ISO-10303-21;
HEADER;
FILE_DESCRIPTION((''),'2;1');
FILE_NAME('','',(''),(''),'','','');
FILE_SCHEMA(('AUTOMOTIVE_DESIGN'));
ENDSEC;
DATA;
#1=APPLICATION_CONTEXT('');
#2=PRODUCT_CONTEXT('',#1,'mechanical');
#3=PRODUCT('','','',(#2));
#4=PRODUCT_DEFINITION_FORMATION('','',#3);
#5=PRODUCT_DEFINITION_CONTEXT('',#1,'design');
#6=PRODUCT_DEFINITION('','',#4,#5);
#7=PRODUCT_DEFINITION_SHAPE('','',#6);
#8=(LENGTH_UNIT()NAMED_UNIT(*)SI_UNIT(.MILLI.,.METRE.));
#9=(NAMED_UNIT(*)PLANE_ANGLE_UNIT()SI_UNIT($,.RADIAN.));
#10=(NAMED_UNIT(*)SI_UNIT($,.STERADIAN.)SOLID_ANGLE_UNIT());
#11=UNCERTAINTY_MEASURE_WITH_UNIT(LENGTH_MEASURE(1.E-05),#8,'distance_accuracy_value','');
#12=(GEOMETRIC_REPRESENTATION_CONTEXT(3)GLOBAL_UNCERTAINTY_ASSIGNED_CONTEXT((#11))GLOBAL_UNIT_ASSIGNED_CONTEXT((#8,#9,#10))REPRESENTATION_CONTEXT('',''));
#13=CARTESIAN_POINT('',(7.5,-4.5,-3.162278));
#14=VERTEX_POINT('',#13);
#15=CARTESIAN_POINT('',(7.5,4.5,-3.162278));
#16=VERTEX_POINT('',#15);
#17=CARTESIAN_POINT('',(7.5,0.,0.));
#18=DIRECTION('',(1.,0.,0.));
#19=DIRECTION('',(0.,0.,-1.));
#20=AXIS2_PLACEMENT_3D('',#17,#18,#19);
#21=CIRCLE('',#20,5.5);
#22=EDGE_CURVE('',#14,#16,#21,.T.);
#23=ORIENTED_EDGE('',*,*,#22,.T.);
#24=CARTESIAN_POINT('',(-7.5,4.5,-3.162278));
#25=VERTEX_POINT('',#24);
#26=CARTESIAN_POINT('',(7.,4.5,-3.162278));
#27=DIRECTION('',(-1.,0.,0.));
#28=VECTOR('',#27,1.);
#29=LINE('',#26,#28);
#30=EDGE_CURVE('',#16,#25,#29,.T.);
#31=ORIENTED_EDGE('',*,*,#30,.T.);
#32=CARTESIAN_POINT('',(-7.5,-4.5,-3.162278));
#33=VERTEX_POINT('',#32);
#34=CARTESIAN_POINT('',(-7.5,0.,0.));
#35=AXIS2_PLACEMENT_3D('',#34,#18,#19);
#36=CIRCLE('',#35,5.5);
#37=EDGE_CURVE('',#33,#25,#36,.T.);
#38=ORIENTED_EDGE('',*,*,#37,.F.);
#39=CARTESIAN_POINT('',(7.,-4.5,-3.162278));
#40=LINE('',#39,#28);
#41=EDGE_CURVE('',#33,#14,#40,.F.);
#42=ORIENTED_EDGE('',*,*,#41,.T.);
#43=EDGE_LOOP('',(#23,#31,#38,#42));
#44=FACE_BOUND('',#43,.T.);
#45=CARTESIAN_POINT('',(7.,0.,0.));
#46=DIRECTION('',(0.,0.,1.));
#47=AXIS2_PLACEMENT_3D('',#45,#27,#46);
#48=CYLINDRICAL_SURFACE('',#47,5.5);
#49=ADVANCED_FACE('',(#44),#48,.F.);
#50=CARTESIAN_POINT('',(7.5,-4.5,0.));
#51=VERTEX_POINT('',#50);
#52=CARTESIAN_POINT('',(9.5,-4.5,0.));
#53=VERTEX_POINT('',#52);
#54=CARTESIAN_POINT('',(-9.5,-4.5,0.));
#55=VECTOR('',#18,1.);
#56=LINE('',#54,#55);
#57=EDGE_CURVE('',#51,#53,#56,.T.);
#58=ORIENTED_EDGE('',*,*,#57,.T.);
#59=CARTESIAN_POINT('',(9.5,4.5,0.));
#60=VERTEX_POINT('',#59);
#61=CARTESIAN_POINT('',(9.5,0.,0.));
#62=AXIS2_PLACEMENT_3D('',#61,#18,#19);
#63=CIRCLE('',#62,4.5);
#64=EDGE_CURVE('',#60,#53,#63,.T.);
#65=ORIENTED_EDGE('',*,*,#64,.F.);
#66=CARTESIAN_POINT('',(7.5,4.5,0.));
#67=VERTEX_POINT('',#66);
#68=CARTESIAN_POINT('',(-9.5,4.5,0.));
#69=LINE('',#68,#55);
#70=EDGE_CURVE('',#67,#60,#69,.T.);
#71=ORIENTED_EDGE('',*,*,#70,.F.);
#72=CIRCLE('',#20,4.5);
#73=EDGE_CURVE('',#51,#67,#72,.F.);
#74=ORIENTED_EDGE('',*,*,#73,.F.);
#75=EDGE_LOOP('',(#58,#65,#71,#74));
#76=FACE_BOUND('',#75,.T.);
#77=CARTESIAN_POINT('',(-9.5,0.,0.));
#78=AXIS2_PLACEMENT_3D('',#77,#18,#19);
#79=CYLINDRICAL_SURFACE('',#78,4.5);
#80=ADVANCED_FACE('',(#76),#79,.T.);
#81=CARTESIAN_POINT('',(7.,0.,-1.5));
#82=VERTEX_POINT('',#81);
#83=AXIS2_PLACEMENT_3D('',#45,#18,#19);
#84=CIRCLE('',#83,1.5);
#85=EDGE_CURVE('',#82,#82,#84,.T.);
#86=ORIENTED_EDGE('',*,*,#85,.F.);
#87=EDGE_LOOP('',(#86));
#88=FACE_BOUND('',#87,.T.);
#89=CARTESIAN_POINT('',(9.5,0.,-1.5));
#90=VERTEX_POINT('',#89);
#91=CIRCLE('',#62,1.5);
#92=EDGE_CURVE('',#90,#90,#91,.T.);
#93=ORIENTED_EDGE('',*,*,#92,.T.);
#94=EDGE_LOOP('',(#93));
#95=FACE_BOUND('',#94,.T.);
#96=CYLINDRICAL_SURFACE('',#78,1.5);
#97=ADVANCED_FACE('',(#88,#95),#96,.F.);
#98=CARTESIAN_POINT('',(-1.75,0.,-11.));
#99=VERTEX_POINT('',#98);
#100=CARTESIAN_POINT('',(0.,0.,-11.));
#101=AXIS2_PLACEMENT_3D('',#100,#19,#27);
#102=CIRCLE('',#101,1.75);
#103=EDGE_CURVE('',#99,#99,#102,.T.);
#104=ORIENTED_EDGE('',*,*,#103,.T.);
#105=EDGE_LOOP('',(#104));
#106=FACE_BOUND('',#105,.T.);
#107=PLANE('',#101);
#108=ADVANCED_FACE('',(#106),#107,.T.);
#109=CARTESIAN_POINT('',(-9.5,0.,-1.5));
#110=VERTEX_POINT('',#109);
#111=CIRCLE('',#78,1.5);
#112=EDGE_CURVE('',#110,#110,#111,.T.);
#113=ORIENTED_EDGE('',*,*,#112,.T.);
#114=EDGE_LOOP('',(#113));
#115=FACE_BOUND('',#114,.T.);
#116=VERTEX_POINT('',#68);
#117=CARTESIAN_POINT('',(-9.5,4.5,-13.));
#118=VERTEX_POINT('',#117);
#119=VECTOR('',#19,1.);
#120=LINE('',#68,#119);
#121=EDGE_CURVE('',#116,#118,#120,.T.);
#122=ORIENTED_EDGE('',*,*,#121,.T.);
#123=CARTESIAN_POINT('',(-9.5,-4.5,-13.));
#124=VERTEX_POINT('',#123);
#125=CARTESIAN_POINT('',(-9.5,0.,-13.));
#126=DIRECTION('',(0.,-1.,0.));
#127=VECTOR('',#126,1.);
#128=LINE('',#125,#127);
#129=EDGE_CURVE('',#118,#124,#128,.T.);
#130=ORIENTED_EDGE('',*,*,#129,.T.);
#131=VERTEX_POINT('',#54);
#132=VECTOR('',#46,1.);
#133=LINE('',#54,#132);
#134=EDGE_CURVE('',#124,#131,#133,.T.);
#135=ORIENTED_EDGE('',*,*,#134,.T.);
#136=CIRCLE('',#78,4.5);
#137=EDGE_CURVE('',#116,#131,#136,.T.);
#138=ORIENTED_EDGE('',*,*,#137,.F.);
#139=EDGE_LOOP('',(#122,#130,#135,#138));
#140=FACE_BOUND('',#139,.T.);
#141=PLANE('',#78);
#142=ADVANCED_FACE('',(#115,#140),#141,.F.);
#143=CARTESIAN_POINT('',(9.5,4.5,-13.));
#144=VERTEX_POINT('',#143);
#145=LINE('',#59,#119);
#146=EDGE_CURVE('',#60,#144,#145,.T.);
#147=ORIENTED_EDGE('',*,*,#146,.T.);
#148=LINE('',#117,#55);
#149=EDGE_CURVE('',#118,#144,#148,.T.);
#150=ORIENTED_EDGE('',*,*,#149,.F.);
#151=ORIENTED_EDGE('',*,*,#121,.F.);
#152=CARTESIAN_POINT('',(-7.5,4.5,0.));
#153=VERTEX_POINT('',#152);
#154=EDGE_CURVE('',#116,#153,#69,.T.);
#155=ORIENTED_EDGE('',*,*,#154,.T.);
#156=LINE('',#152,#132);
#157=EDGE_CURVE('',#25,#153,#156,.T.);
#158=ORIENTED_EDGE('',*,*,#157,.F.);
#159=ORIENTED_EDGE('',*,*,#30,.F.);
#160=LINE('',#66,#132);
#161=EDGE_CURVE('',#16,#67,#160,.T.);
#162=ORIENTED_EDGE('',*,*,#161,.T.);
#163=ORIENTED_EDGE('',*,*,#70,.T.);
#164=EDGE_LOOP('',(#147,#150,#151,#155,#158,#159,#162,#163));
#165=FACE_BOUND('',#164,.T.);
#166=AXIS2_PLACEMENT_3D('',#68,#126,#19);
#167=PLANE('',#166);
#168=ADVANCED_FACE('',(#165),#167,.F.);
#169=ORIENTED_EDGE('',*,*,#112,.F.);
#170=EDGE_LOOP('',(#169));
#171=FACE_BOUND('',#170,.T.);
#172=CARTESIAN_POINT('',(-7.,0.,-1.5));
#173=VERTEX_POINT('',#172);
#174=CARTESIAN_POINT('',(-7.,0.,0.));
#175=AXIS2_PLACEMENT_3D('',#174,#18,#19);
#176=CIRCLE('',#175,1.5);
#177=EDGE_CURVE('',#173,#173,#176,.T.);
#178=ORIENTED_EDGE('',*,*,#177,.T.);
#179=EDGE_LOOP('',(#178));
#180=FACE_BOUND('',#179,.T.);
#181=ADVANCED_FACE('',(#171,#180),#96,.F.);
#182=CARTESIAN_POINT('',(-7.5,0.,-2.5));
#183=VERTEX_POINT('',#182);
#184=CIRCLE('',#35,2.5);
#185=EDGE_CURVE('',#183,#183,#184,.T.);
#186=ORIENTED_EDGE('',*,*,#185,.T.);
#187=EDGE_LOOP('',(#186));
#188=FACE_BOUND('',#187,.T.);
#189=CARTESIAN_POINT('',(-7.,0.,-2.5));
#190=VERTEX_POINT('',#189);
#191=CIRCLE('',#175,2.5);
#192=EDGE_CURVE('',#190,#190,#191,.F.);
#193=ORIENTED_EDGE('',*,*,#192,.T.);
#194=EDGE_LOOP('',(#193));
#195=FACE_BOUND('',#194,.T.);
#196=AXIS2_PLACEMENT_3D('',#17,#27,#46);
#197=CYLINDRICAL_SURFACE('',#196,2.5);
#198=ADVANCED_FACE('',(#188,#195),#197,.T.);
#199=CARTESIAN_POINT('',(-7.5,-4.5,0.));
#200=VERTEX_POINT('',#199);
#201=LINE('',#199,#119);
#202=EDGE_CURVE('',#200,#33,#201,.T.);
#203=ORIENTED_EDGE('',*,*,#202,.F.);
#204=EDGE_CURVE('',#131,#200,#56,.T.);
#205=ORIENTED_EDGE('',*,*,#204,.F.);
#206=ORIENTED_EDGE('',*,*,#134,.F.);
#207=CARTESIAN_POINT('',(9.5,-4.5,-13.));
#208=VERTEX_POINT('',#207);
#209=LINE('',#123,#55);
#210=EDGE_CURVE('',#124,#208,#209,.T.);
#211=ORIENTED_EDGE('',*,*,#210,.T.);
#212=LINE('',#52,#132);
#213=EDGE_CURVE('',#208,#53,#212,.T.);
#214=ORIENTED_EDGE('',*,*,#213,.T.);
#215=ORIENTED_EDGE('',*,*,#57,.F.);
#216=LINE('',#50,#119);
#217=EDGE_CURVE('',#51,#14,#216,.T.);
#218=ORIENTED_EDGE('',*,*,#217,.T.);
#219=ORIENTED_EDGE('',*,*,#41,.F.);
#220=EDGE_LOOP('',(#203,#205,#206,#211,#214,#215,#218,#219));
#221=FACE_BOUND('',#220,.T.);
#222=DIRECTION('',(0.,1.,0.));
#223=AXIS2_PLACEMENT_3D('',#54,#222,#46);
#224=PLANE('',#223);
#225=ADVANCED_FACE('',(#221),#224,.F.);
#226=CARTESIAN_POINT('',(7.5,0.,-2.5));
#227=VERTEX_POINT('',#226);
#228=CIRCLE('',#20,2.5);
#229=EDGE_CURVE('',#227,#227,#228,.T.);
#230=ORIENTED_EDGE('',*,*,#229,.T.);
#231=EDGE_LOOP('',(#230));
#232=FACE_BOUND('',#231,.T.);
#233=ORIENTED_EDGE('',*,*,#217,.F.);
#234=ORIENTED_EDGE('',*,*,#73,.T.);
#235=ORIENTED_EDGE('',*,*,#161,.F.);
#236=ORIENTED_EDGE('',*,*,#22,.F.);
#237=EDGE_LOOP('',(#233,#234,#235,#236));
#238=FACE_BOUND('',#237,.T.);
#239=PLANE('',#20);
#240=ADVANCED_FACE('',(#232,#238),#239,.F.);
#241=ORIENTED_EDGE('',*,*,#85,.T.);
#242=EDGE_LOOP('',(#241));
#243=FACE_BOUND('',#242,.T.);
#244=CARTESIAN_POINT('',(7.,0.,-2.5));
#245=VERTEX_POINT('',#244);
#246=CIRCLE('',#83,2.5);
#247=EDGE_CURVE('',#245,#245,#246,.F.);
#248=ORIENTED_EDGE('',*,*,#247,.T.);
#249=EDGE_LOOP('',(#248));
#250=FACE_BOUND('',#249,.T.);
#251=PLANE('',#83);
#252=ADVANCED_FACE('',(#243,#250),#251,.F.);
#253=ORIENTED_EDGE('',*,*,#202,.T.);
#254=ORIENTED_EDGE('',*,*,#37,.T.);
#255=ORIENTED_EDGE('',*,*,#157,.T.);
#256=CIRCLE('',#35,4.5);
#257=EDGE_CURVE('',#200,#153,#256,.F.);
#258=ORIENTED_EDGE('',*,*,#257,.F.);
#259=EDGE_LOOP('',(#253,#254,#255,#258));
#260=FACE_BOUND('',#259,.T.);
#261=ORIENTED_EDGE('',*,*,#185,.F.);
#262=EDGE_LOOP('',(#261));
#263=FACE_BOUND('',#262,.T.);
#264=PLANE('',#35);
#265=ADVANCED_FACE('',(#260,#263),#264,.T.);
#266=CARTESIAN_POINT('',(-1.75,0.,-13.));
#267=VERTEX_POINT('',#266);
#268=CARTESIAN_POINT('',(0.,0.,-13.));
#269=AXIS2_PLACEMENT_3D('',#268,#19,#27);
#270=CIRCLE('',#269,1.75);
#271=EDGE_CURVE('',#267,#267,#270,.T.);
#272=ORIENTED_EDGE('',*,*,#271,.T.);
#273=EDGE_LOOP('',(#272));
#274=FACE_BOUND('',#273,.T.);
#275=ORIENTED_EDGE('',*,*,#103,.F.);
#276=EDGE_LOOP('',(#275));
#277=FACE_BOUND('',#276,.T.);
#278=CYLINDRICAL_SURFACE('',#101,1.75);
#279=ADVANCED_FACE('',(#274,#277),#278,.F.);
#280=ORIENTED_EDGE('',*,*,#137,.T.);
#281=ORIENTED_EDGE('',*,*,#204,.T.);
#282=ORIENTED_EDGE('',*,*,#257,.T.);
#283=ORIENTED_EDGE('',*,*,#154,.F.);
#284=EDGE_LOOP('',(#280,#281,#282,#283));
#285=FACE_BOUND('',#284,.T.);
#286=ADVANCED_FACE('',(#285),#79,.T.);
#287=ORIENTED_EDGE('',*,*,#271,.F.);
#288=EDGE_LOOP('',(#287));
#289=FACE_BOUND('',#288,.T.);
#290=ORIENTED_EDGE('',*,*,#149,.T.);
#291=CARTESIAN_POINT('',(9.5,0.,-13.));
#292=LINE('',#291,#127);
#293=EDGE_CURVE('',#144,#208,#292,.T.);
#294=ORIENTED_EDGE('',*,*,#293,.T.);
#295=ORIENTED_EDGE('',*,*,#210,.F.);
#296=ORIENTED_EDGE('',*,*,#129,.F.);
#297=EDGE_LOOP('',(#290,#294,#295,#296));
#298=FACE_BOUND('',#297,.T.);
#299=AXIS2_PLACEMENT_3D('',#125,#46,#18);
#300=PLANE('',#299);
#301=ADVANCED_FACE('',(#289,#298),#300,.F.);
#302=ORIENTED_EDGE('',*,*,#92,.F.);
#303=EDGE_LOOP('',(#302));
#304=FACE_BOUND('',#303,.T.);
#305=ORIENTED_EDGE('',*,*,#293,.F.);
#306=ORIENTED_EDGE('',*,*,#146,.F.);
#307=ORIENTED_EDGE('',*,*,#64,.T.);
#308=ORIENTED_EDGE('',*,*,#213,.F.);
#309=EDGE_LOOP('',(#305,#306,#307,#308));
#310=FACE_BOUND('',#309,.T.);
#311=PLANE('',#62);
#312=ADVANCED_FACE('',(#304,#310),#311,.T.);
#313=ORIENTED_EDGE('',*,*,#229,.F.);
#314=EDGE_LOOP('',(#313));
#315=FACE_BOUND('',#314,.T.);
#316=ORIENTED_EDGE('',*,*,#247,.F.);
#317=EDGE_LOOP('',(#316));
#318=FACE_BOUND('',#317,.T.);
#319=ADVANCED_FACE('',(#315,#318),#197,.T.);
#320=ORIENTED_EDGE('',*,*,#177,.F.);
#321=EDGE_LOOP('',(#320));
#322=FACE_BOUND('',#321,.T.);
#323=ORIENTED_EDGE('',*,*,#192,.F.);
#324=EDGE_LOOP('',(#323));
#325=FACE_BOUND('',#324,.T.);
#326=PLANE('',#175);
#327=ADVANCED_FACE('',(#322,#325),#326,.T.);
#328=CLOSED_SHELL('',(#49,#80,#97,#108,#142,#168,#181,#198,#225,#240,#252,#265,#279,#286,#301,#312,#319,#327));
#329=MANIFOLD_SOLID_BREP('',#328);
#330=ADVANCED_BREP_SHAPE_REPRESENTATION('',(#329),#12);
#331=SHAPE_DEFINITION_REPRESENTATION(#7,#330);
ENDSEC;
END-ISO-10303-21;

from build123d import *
from build123d.topology import SkipClean

# Parameters (mm, degrees)
EXTRUDE_1_DEPTH          = 9.5
EXTRUDE_1_DEPTH_BACK     = 9.5
CUT_EXTRUDE_1_DEPTH      = 7
CUT_EXTRUDE_1_DEPTH_BACK = 7
SKETCH_2_R               = 5.5
CUT_EXTRUDE_2_DEPTH      = 17.718253497
CUT_EXTRUDE_2_DEPTH_BACK = 17.718253497
SKETCH_3_R               = 1.5
CUT_EXTRUDE_3_DEPTH      = 7.5
CUT_EXTRUDE_3_DEPTH_BACK = 7.5
SKETCH_4_R               = 5.5
SKETCH_4_R_2             = 2.5
SKETCH_5_R               = 1.75
CUT_EXTRUDE_4_DEPTH      = 2


with BuildPart() as part:
    # Эскиз1 → Бобышка-Вытянуть1 (new, two sides: drawn at the far end of the back side and taken through both)
    with BuildSketch(Plane(origin=(0, 0, 0), x_dir=(0, 0, -1), z_dir=(1, 0, 0)).offset(-EXTRUDE_1_DEPTH_BACK)):
        with BuildLine():
            Line((13, 4.5), (0, 4.5))
            ThreePointArc((0, 4.5), (-4.5, 0), (0, -4.5))
            Line((0, -4.5), (13, -4.5))
            Line((13, -4.5), (13, 4.5))
        make_face()
    extrude(amount=EXTRUDE_1_DEPTH + EXTRUDE_1_DEPTH_BACK)

    # Эскиз2 → Вырез-Вытянуть1 (cut, two sides: drawn at the far end of the back side and taken through both)
    with BuildSketch(Plane(origin=(0, 0, 0), x_dir=(0, 0, -1), z_dir=(1, 0, 0)).offset(-CUT_EXTRUDE_1_DEPTH_BACK)):
        Circle(SKETCH_2_R)
    extrude(amount=CUT_EXTRUDE_1_DEPTH + CUT_EXTRUDE_1_DEPTH_BACK, mode=Mode.SUBTRACT)

    # Эскиз3 → Вырез-Вытянуть2 (cut, two sides: drawn at the far end of the back side and taken through both)
    with BuildSketch(Plane(origin=(0, 0, 0), x_dir=(0, 0, -1), z_dir=(1, 0, 0)).offset(-CUT_EXTRUDE_2_DEPTH_BACK)):
        Circle(SKETCH_3_R)
    extrude(amount=CUT_EXTRUDE_2_DEPTH + CUT_EXTRUDE_2_DEPTH_BACK, mode=Mode.SUBTRACT)

    # Эскиз4 → Вырез-Вытянуть3 (cut, two sides: drawn at the far end of the back side and taken through both)
    with SkipClean():  # the faces are left unmerged after this step: merging them gives an invalid solid
        with BuildSketch(Plane(origin=(0, 0, 0), x_dir=(0, 0, -1), z_dir=(1, 0, 0)).offset(-CUT_EXTRUDE_3_DEPTH_BACK)):
            Circle(SKETCH_4_R)
            Circle(SKETCH_4_R_2, mode=Mode.SUBTRACT)
        extrude(amount=CUT_EXTRUDE_3_DEPTH + CUT_EXTRUDE_3_DEPTH_BACK, mode=Mode.SUBTRACT)
    add(part.part.scale(1), mode=Mode.REPLACE)  # the faces are merged on a copy

    # Эскиз5 → Вырез-Вытянуть4 (cut)
    with BuildSketch(Plane(origin=(0, 0, -13), x_dir=(-1, 0, 0), z_dir=(0, 0, -1))):
        Circle(SKETCH_5_R)
    extrude(amount=-CUT_EXTRUDE_4_DEPTH, mode=Mode.SUBTRACT)


solid = part.part
